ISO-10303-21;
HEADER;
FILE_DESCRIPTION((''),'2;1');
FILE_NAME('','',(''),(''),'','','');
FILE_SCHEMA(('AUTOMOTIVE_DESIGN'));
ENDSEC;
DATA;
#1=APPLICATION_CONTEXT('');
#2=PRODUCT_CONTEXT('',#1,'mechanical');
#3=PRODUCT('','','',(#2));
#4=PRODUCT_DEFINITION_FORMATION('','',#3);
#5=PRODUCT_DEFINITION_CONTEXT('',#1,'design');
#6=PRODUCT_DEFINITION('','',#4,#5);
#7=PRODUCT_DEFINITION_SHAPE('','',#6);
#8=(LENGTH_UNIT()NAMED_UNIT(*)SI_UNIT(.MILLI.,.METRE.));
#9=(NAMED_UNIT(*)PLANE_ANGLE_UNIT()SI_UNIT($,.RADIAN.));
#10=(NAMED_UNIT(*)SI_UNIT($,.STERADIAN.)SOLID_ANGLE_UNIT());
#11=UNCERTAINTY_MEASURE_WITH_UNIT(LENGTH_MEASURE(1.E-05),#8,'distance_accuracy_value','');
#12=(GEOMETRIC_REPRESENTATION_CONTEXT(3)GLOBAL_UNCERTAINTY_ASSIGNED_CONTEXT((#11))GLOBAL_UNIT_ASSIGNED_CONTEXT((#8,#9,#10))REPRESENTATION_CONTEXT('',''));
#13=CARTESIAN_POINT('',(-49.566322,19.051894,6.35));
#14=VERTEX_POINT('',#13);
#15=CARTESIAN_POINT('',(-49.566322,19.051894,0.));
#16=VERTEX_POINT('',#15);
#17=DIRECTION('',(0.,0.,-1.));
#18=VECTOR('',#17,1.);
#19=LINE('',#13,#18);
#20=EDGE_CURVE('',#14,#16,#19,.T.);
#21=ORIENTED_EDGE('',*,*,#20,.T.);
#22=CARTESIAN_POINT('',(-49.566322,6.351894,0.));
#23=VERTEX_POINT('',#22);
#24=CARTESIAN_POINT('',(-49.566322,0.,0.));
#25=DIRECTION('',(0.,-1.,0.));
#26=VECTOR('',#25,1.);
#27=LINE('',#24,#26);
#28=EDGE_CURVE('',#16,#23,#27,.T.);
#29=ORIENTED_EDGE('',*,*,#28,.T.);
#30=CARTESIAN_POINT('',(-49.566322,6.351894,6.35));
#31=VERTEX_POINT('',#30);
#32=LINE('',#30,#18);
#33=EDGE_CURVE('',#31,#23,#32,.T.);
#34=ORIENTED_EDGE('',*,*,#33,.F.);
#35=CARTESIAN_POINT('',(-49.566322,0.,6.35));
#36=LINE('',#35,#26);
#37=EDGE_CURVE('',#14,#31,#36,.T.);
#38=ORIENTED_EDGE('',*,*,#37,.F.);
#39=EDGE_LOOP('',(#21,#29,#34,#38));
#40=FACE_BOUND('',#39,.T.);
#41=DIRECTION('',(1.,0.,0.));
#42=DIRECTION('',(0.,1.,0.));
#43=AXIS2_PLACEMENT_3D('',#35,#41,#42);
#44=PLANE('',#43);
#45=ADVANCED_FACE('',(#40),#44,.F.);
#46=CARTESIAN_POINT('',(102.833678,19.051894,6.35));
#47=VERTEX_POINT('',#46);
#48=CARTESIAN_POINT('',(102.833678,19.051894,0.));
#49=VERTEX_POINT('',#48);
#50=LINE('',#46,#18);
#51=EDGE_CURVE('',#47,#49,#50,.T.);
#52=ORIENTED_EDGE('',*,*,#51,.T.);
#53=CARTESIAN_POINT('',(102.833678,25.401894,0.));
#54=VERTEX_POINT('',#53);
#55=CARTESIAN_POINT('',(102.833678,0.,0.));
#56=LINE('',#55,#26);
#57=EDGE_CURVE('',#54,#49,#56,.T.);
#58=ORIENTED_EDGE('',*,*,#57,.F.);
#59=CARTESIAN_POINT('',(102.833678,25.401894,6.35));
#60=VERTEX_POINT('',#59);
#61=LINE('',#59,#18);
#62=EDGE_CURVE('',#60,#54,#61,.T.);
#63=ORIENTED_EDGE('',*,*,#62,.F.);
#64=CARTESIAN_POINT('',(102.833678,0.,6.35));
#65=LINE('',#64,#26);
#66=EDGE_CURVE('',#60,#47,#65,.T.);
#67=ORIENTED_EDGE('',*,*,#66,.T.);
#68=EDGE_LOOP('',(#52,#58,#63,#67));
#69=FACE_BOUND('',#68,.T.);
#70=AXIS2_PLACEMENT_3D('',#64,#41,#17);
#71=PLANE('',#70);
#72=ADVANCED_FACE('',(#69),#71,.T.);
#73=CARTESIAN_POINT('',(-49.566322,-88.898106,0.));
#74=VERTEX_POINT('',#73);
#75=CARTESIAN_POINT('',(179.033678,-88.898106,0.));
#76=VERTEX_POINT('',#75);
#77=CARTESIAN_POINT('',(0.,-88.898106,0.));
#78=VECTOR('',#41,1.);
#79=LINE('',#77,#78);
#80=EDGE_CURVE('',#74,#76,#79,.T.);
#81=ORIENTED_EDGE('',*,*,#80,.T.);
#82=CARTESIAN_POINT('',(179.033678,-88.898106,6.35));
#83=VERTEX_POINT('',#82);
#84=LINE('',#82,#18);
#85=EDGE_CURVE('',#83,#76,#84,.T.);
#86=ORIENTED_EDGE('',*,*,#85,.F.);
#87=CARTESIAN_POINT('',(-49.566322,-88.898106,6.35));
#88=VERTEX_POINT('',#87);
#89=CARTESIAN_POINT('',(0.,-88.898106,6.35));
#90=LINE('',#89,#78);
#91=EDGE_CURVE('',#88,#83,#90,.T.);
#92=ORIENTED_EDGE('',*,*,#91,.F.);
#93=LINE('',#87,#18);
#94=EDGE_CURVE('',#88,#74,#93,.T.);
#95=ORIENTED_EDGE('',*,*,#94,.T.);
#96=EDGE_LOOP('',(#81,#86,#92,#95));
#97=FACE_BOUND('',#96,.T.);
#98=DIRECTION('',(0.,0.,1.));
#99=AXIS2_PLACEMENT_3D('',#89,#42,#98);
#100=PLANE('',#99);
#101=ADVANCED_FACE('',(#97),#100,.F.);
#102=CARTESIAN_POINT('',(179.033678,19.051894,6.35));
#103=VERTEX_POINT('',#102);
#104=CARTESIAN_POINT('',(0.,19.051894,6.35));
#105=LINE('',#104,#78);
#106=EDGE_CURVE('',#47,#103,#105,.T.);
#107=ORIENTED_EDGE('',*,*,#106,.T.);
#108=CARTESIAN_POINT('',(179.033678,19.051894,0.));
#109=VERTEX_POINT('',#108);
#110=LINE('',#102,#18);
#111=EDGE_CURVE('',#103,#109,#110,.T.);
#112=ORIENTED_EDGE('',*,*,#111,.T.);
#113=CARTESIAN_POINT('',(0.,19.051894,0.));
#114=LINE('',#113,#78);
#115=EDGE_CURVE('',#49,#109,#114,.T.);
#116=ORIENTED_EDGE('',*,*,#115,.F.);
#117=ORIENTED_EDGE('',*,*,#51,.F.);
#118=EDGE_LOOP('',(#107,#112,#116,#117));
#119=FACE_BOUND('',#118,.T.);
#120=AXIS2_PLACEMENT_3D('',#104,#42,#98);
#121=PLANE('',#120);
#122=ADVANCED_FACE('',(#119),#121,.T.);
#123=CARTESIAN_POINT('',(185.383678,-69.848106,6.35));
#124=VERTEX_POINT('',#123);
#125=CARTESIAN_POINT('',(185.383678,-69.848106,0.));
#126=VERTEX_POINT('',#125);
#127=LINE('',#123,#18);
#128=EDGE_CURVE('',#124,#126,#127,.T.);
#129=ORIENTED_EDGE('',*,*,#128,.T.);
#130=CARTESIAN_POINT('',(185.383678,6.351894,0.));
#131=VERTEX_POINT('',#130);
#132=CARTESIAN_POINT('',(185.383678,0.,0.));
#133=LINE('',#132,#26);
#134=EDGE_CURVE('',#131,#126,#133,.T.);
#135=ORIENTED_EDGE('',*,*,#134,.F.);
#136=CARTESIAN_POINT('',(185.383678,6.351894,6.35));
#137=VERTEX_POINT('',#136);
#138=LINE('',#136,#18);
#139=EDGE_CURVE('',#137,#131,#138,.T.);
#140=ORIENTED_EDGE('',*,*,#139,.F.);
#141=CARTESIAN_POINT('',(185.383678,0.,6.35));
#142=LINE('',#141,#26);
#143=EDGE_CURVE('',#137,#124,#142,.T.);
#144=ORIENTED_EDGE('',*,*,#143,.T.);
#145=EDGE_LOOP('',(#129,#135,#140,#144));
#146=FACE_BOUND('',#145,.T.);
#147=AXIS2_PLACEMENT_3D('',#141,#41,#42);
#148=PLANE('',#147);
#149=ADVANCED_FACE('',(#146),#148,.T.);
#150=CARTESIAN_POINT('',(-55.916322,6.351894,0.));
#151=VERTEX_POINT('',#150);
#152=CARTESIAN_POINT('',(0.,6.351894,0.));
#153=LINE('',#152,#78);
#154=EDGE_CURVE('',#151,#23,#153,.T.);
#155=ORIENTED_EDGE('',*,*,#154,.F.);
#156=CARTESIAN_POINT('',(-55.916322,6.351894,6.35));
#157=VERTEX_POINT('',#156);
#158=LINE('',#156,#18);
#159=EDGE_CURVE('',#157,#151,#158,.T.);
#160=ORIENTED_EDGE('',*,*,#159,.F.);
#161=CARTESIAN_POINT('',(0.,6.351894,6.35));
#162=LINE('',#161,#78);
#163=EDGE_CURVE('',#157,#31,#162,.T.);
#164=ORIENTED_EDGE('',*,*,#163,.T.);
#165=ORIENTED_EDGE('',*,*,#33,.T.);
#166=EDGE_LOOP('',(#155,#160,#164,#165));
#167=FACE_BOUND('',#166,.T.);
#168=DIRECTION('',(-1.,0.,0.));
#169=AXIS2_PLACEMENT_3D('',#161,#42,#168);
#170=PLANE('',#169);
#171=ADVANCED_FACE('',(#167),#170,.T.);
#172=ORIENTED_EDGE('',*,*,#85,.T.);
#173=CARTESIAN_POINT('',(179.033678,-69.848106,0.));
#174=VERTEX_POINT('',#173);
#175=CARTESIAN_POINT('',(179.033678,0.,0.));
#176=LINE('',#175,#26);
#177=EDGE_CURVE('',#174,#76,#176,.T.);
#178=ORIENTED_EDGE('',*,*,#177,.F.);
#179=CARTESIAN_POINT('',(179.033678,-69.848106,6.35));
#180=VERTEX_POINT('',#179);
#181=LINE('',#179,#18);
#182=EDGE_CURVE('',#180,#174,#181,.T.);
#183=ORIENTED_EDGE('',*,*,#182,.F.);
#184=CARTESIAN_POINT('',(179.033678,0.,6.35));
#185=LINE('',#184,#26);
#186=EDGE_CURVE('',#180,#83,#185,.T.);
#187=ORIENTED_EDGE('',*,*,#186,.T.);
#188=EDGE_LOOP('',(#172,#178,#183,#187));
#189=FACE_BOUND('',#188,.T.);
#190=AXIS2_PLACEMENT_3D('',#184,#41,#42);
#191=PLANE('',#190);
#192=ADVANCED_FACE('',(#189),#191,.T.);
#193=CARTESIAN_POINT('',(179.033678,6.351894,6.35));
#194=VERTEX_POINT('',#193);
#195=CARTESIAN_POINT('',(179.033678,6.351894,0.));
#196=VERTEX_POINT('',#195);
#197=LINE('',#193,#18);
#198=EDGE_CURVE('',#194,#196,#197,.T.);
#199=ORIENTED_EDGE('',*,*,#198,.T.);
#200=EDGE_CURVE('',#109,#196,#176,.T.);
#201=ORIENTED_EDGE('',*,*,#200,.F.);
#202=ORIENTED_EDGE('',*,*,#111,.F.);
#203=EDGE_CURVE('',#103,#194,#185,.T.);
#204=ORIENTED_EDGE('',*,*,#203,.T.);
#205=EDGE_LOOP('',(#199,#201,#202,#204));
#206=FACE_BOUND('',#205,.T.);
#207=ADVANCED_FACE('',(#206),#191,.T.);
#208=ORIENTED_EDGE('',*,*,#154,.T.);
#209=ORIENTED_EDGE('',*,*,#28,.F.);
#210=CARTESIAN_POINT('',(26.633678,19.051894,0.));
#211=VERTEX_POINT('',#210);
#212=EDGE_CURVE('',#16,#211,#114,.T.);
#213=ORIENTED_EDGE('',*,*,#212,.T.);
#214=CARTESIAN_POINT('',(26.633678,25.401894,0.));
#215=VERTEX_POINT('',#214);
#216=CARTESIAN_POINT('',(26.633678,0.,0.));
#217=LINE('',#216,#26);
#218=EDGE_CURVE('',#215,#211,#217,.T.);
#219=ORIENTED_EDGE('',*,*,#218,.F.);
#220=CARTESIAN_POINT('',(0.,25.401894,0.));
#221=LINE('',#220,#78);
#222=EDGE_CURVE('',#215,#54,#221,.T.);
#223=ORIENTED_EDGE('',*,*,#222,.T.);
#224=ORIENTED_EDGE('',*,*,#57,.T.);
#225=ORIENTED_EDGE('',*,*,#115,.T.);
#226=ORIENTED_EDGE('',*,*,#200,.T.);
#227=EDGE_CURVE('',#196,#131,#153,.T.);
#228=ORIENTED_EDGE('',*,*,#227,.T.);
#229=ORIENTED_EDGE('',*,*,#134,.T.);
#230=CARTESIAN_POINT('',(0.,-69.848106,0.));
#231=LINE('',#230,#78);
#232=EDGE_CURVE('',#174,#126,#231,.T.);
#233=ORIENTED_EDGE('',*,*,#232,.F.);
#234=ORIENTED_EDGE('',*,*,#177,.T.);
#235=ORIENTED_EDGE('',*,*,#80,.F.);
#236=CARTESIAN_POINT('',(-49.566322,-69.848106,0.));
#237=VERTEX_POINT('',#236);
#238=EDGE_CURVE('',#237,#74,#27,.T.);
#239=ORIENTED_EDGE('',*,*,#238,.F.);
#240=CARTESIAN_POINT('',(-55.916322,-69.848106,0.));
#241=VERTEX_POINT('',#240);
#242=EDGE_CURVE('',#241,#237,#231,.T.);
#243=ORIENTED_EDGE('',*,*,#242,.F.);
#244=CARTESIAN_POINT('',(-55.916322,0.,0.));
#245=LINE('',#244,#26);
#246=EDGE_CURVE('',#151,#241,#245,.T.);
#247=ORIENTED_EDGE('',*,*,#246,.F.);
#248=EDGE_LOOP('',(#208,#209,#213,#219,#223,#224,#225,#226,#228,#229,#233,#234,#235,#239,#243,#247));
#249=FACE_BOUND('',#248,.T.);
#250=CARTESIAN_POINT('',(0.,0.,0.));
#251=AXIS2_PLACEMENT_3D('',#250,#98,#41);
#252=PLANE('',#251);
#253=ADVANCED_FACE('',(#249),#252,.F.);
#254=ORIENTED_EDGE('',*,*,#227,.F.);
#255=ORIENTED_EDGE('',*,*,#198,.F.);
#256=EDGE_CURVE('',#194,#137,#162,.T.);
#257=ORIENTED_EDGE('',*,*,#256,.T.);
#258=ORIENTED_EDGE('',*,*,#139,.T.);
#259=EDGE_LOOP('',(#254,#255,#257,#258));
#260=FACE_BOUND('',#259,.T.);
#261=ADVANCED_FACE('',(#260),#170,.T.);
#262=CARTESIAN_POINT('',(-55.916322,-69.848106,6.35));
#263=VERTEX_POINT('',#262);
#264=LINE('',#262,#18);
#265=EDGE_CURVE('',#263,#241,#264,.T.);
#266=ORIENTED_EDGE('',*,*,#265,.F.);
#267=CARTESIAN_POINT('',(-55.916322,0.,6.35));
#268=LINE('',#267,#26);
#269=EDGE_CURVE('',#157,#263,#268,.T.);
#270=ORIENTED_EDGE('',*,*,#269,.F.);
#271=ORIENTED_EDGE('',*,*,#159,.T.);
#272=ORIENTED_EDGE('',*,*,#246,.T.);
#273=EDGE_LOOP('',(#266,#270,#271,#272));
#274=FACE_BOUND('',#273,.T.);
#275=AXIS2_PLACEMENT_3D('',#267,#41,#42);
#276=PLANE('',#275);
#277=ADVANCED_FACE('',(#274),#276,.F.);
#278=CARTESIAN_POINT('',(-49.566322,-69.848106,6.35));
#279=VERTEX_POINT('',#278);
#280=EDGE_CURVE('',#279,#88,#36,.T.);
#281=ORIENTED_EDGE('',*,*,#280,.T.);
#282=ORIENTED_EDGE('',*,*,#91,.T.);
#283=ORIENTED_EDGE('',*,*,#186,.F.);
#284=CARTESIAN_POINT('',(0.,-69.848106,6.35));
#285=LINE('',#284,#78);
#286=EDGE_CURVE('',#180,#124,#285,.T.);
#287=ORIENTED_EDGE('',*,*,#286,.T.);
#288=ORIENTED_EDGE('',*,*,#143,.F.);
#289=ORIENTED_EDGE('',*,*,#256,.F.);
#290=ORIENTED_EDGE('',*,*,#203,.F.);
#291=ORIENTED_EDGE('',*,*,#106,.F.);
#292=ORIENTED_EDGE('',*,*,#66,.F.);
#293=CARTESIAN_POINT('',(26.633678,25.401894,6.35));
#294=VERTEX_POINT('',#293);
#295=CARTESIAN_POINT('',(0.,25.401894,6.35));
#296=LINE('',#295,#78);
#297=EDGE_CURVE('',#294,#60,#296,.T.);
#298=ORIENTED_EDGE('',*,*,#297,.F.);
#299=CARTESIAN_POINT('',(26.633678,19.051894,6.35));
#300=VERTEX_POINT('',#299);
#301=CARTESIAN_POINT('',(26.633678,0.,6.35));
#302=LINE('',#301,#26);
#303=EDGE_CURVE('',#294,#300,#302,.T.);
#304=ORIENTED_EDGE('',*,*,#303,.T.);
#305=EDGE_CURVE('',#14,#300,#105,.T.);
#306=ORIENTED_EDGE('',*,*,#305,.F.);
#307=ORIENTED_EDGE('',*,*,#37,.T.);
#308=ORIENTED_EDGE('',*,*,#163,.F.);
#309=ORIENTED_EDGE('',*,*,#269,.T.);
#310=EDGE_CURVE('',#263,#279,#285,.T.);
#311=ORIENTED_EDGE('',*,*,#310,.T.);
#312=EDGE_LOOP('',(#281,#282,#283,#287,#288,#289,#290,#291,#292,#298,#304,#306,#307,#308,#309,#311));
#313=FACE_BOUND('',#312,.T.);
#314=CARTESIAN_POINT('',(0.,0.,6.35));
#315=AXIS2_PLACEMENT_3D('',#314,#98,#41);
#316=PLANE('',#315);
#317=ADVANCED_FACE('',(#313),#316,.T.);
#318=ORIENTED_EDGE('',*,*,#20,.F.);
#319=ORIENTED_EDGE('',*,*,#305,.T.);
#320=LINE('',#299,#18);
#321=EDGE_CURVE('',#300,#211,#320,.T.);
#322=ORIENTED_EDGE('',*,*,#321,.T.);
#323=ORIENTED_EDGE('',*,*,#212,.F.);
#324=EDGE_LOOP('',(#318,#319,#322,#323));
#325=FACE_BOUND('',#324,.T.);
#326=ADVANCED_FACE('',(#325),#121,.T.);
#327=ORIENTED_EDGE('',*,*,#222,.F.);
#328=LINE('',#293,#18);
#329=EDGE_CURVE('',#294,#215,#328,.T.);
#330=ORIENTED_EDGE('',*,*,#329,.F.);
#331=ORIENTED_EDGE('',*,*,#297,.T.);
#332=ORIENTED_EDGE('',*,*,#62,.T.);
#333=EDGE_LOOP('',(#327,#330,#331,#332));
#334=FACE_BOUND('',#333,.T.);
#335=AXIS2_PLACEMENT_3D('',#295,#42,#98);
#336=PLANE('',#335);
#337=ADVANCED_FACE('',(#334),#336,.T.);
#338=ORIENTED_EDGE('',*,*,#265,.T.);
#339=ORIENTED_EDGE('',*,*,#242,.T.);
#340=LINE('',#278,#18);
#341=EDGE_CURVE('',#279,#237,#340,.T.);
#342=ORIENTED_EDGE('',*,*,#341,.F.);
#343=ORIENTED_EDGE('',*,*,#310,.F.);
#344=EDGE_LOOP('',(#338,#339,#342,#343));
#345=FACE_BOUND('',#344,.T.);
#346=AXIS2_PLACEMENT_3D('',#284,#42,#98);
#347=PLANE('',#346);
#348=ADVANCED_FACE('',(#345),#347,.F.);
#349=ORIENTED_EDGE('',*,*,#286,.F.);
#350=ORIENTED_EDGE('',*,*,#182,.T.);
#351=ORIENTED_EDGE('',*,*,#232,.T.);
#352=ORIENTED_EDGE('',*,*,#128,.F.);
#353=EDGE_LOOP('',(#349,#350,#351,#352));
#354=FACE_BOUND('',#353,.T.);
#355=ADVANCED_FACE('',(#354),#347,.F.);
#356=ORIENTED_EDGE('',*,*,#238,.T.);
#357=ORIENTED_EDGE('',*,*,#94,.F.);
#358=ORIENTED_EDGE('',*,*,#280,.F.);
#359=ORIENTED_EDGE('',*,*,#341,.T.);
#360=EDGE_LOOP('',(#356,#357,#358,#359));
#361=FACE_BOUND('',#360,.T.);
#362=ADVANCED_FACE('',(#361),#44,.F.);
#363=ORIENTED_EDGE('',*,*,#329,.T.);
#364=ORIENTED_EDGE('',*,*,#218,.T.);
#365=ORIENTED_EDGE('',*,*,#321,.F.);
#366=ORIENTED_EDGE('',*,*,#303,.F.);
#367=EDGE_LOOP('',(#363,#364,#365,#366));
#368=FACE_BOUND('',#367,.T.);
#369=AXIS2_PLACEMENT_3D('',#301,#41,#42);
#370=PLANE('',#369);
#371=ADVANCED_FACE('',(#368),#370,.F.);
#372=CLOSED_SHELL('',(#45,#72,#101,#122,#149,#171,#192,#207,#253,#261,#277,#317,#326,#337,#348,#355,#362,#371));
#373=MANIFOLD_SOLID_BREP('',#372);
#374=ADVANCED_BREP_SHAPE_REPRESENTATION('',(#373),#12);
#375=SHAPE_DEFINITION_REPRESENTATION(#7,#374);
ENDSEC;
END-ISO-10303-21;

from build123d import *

# Parameters (mm, degrees)
SKETCH1_W           = 228.6
SKETCH1_H           = 107.95
SKETCH1_W_2         = 76.2
SKETCH1_H_2         = 6.35
SKETCH1_W_3         = 6.35
SKETCH1_H_3         = 76.2
BOSS_EXTRUDE1_DEPTH = 6.35


with BuildPart() as part:
    # Sketch1 → Boss-Extrude1 (new body)
    with BuildSketch(Plane.XY):
        with Locations((64.733678216, -34.923106362)):
            Rectangle(SKETCH1_W, SKETCH1_H)
        with Locations((64.733678216, 22.226893638)):
            Rectangle(SKETCH1_W_2, SKETCH1_H_2)
        Polygon((185.383678216, -69.848106362), (185.383678216, 2.969008236), (185.383678216, 6.351893638), (179.033678216, 6.351893638), (179.033678216, -69.848106362), align=None)
        with Locations((-52.741321784, -31.748106362)):
            Rectangle(SKETCH1_W_3, SKETCH1_H_3)
    extrude(amount=BOSS_EXTRUDE1_DEPTH)


solid = part.part
